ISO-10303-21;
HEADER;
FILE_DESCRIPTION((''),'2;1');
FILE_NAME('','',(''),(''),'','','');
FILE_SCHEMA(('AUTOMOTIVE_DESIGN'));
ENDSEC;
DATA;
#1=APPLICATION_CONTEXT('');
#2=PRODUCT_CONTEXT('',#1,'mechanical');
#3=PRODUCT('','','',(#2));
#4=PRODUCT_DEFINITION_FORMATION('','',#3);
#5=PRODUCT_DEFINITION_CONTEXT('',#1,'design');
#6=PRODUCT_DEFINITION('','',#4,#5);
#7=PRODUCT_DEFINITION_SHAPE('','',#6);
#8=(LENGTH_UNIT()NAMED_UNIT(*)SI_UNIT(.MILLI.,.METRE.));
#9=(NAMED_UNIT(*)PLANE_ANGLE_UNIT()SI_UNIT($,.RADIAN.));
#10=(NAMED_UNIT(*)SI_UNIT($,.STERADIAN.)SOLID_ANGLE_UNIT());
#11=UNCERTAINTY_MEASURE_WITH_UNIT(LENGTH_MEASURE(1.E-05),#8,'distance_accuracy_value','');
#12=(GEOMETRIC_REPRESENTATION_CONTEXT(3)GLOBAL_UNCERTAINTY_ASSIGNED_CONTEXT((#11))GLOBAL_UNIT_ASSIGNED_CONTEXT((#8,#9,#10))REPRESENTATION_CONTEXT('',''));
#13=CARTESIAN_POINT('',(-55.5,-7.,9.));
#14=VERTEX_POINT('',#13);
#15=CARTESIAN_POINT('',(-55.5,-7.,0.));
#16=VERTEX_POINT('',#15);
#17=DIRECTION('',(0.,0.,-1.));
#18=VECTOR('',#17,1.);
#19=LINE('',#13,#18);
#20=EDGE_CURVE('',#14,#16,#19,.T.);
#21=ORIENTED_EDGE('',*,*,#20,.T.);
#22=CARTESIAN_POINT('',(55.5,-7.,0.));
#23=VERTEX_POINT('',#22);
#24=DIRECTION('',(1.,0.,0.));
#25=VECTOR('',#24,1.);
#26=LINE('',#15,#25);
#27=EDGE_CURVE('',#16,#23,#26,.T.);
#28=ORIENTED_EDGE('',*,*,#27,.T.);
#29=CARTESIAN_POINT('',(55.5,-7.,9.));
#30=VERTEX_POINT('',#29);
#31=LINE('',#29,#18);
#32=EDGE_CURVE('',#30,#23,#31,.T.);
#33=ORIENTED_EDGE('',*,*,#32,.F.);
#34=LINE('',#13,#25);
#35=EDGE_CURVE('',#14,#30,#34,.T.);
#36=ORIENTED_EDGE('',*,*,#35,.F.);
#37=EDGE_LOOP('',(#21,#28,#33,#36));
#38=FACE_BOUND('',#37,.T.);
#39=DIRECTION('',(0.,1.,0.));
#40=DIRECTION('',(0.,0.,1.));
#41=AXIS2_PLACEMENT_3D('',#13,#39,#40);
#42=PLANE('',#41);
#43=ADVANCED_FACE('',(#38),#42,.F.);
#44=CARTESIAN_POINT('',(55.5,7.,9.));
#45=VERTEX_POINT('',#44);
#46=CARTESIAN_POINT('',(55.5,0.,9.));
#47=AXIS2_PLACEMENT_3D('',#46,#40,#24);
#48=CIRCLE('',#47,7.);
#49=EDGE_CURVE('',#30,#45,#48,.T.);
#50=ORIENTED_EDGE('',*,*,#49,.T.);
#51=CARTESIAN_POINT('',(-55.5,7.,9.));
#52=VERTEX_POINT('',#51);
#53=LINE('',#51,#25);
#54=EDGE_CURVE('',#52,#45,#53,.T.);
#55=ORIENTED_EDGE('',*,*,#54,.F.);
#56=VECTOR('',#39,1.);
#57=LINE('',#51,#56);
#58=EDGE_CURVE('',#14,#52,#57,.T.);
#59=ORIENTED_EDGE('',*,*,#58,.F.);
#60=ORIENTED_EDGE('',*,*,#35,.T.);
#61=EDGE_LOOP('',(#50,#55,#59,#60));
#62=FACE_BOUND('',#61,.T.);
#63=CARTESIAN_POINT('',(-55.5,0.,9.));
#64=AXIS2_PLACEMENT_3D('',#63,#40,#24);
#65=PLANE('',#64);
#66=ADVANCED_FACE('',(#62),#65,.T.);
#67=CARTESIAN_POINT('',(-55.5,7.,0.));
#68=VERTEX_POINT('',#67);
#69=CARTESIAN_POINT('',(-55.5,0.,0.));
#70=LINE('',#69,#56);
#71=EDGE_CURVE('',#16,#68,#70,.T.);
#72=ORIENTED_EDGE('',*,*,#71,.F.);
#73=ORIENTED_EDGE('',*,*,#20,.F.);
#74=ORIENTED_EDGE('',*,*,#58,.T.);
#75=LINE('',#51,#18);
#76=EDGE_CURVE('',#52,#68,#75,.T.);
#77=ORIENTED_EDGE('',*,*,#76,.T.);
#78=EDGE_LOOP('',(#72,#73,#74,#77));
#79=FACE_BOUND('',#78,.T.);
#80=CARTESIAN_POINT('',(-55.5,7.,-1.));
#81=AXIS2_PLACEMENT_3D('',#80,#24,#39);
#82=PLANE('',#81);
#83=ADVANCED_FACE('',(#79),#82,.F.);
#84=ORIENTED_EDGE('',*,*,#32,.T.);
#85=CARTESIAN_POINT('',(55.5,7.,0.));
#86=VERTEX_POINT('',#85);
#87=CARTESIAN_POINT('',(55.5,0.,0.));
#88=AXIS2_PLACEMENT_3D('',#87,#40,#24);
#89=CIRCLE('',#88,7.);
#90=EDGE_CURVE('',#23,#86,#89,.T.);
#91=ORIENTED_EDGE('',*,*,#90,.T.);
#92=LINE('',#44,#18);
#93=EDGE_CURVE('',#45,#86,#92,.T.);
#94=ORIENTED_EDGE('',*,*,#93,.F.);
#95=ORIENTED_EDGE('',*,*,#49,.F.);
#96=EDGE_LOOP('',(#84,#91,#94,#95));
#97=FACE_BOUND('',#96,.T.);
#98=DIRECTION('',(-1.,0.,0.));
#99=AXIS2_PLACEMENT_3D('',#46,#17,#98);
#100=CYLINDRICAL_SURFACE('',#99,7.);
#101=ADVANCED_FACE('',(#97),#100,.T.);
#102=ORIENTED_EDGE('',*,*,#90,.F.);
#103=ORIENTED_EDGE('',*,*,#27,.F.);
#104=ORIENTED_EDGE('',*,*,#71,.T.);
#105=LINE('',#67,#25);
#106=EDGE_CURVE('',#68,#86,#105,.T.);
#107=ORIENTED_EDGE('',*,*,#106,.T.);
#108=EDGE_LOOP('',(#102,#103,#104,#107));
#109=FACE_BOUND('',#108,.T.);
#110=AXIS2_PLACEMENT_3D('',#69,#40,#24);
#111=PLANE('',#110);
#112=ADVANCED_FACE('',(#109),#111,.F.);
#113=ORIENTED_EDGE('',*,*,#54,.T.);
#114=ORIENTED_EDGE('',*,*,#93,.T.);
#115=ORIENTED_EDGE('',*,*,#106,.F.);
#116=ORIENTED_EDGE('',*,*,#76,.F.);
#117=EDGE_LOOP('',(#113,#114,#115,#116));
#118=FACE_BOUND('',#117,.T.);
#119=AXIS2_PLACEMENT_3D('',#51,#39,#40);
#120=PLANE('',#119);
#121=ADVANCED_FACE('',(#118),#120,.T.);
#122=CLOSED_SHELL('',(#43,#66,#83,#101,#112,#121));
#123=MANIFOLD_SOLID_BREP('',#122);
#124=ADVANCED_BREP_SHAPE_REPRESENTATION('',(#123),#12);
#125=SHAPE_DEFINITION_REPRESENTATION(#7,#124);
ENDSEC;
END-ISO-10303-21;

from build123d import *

# Parameters (mm, degrees)
BOSS_EXTRUDE1_DEPTH = 9
SKETCH2_W           = 21.252561517
SKETCH2_H           = 15.842942766
CUT_EXTRUDE1_DEPTH  = 10


with BuildPart() as part:
    # Sketch1 → Boss-Extrude1 (new body)
    with BuildSketch(Plane.XY):
        with BuildLine():
            Line((-55.5, 7), (55.5, 7))
            ThreePointArc((55.5, 7), (62.5, 0), (55.5, -7))
            Line((55.5, -7), (-55.5, -7))
            ThreePointArc((-55.5, -7), (-62.5, 0), (-55.5, 7))
        make_face()
    extrude(amount=BOSS_EXTRUDE1_DEPTH)

    # Sketch2 → Cut-Extrude1 (cut)
    with BuildSketch(Plane.XY.offset(9)):
        with Locations((-66.126280759, -0.921471383)):
            Rectangle(SKETCH2_W, SKETCH2_H)
    extrude(amount=-CUT_EXTRUDE1_DEPTH, mode=Mode.SUBTRACT)


solid = part.part
